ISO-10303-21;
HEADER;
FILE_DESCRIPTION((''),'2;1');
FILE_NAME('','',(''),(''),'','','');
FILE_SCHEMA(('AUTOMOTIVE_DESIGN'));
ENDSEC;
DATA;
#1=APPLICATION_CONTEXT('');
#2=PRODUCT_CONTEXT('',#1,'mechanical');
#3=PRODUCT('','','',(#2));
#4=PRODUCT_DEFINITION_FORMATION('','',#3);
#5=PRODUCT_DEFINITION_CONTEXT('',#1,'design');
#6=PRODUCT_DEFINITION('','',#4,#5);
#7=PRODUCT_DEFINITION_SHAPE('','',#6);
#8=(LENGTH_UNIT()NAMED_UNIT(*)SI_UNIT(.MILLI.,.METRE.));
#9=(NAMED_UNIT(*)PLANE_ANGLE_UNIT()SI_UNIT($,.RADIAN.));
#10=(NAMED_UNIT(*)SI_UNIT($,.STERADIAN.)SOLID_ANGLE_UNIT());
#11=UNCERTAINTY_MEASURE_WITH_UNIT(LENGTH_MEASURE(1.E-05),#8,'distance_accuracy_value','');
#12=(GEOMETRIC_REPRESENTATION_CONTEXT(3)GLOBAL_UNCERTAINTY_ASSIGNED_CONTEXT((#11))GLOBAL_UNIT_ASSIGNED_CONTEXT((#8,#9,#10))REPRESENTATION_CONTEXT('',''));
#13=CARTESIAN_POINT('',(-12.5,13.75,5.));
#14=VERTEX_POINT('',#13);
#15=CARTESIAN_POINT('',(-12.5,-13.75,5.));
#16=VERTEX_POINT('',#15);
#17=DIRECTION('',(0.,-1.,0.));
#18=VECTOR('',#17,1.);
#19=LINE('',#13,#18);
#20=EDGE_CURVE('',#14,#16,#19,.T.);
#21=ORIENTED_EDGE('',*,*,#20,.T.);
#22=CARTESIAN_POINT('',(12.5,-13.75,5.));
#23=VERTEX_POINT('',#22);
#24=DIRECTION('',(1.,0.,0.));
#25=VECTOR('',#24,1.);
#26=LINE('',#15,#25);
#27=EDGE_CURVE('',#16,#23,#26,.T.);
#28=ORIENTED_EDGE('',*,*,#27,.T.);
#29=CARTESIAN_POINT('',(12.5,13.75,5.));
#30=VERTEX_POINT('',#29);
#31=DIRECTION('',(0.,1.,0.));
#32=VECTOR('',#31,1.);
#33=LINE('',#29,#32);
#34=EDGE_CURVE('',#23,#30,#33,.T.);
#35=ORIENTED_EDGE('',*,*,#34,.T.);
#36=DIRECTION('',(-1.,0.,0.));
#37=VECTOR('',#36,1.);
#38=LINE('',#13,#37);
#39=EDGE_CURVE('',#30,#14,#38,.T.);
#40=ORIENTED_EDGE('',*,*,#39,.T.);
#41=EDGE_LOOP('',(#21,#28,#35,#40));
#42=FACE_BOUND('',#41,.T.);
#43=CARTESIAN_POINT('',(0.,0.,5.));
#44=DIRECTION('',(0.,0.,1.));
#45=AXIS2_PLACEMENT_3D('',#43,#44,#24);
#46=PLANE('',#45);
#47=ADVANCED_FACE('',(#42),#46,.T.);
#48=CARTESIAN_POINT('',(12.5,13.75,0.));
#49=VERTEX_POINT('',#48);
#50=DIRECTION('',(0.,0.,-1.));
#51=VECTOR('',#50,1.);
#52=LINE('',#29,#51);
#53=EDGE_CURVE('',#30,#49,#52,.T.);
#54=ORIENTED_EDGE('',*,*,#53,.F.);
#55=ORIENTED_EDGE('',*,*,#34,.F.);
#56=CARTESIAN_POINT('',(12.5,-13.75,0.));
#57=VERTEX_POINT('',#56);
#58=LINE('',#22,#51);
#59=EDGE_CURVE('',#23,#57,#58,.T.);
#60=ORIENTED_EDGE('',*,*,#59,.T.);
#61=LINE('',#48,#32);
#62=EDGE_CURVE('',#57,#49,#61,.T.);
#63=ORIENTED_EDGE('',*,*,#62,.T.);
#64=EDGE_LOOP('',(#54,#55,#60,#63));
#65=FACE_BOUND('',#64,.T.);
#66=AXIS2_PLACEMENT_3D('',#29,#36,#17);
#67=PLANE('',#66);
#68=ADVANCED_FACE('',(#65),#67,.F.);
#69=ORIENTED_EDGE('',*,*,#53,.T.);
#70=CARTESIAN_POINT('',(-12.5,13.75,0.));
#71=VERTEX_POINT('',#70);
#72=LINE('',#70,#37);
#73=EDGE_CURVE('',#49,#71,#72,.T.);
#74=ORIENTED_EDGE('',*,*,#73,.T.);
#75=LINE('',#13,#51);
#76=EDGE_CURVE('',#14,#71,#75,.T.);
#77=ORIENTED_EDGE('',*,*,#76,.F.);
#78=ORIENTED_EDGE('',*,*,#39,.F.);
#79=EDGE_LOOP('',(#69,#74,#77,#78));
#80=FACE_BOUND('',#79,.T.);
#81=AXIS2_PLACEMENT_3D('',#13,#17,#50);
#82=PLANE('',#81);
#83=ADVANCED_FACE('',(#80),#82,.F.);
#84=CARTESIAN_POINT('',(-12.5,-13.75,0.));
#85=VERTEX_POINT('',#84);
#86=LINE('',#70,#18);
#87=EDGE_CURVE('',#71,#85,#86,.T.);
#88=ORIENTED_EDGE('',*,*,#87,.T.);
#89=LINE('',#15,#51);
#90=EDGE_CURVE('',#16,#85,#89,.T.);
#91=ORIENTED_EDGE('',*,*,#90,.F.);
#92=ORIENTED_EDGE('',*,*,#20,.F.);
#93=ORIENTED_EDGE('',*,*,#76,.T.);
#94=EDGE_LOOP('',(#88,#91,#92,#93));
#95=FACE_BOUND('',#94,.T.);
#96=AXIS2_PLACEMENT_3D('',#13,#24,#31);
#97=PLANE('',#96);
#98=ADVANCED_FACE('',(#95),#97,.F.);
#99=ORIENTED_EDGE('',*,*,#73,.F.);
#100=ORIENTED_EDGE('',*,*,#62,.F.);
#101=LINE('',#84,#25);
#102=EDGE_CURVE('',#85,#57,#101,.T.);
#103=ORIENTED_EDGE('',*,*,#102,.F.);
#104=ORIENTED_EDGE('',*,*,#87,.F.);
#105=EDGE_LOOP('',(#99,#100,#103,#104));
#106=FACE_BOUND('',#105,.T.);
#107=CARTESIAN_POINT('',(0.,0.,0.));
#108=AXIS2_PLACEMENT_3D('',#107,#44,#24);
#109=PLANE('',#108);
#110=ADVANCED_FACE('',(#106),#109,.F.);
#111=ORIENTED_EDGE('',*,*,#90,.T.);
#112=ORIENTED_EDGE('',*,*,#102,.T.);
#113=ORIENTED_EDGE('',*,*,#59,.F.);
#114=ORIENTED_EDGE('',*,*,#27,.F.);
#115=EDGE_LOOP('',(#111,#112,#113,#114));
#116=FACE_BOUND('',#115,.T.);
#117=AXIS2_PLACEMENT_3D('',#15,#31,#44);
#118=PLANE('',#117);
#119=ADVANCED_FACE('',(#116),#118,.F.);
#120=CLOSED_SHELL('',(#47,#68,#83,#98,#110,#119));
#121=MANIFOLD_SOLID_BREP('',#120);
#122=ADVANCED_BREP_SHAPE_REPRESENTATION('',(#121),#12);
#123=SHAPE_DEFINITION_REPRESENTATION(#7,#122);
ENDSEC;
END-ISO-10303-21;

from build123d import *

# Parameters (mm, degrees)
SKETCH1_W           = 25
SKETCH1_H           = 27.5
BOSS_EXTRUDE1_DEPTH = 5


with BuildPart() as part:
    # Sketch1 → Boss-Extrude1 (new body)
    with BuildSketch(Plane.XY):
        Rectangle(SKETCH1_W, SKETCH1_H)
    extrude(amount=BOSS_EXTRUDE1_DEPTH)


solid = part.part
